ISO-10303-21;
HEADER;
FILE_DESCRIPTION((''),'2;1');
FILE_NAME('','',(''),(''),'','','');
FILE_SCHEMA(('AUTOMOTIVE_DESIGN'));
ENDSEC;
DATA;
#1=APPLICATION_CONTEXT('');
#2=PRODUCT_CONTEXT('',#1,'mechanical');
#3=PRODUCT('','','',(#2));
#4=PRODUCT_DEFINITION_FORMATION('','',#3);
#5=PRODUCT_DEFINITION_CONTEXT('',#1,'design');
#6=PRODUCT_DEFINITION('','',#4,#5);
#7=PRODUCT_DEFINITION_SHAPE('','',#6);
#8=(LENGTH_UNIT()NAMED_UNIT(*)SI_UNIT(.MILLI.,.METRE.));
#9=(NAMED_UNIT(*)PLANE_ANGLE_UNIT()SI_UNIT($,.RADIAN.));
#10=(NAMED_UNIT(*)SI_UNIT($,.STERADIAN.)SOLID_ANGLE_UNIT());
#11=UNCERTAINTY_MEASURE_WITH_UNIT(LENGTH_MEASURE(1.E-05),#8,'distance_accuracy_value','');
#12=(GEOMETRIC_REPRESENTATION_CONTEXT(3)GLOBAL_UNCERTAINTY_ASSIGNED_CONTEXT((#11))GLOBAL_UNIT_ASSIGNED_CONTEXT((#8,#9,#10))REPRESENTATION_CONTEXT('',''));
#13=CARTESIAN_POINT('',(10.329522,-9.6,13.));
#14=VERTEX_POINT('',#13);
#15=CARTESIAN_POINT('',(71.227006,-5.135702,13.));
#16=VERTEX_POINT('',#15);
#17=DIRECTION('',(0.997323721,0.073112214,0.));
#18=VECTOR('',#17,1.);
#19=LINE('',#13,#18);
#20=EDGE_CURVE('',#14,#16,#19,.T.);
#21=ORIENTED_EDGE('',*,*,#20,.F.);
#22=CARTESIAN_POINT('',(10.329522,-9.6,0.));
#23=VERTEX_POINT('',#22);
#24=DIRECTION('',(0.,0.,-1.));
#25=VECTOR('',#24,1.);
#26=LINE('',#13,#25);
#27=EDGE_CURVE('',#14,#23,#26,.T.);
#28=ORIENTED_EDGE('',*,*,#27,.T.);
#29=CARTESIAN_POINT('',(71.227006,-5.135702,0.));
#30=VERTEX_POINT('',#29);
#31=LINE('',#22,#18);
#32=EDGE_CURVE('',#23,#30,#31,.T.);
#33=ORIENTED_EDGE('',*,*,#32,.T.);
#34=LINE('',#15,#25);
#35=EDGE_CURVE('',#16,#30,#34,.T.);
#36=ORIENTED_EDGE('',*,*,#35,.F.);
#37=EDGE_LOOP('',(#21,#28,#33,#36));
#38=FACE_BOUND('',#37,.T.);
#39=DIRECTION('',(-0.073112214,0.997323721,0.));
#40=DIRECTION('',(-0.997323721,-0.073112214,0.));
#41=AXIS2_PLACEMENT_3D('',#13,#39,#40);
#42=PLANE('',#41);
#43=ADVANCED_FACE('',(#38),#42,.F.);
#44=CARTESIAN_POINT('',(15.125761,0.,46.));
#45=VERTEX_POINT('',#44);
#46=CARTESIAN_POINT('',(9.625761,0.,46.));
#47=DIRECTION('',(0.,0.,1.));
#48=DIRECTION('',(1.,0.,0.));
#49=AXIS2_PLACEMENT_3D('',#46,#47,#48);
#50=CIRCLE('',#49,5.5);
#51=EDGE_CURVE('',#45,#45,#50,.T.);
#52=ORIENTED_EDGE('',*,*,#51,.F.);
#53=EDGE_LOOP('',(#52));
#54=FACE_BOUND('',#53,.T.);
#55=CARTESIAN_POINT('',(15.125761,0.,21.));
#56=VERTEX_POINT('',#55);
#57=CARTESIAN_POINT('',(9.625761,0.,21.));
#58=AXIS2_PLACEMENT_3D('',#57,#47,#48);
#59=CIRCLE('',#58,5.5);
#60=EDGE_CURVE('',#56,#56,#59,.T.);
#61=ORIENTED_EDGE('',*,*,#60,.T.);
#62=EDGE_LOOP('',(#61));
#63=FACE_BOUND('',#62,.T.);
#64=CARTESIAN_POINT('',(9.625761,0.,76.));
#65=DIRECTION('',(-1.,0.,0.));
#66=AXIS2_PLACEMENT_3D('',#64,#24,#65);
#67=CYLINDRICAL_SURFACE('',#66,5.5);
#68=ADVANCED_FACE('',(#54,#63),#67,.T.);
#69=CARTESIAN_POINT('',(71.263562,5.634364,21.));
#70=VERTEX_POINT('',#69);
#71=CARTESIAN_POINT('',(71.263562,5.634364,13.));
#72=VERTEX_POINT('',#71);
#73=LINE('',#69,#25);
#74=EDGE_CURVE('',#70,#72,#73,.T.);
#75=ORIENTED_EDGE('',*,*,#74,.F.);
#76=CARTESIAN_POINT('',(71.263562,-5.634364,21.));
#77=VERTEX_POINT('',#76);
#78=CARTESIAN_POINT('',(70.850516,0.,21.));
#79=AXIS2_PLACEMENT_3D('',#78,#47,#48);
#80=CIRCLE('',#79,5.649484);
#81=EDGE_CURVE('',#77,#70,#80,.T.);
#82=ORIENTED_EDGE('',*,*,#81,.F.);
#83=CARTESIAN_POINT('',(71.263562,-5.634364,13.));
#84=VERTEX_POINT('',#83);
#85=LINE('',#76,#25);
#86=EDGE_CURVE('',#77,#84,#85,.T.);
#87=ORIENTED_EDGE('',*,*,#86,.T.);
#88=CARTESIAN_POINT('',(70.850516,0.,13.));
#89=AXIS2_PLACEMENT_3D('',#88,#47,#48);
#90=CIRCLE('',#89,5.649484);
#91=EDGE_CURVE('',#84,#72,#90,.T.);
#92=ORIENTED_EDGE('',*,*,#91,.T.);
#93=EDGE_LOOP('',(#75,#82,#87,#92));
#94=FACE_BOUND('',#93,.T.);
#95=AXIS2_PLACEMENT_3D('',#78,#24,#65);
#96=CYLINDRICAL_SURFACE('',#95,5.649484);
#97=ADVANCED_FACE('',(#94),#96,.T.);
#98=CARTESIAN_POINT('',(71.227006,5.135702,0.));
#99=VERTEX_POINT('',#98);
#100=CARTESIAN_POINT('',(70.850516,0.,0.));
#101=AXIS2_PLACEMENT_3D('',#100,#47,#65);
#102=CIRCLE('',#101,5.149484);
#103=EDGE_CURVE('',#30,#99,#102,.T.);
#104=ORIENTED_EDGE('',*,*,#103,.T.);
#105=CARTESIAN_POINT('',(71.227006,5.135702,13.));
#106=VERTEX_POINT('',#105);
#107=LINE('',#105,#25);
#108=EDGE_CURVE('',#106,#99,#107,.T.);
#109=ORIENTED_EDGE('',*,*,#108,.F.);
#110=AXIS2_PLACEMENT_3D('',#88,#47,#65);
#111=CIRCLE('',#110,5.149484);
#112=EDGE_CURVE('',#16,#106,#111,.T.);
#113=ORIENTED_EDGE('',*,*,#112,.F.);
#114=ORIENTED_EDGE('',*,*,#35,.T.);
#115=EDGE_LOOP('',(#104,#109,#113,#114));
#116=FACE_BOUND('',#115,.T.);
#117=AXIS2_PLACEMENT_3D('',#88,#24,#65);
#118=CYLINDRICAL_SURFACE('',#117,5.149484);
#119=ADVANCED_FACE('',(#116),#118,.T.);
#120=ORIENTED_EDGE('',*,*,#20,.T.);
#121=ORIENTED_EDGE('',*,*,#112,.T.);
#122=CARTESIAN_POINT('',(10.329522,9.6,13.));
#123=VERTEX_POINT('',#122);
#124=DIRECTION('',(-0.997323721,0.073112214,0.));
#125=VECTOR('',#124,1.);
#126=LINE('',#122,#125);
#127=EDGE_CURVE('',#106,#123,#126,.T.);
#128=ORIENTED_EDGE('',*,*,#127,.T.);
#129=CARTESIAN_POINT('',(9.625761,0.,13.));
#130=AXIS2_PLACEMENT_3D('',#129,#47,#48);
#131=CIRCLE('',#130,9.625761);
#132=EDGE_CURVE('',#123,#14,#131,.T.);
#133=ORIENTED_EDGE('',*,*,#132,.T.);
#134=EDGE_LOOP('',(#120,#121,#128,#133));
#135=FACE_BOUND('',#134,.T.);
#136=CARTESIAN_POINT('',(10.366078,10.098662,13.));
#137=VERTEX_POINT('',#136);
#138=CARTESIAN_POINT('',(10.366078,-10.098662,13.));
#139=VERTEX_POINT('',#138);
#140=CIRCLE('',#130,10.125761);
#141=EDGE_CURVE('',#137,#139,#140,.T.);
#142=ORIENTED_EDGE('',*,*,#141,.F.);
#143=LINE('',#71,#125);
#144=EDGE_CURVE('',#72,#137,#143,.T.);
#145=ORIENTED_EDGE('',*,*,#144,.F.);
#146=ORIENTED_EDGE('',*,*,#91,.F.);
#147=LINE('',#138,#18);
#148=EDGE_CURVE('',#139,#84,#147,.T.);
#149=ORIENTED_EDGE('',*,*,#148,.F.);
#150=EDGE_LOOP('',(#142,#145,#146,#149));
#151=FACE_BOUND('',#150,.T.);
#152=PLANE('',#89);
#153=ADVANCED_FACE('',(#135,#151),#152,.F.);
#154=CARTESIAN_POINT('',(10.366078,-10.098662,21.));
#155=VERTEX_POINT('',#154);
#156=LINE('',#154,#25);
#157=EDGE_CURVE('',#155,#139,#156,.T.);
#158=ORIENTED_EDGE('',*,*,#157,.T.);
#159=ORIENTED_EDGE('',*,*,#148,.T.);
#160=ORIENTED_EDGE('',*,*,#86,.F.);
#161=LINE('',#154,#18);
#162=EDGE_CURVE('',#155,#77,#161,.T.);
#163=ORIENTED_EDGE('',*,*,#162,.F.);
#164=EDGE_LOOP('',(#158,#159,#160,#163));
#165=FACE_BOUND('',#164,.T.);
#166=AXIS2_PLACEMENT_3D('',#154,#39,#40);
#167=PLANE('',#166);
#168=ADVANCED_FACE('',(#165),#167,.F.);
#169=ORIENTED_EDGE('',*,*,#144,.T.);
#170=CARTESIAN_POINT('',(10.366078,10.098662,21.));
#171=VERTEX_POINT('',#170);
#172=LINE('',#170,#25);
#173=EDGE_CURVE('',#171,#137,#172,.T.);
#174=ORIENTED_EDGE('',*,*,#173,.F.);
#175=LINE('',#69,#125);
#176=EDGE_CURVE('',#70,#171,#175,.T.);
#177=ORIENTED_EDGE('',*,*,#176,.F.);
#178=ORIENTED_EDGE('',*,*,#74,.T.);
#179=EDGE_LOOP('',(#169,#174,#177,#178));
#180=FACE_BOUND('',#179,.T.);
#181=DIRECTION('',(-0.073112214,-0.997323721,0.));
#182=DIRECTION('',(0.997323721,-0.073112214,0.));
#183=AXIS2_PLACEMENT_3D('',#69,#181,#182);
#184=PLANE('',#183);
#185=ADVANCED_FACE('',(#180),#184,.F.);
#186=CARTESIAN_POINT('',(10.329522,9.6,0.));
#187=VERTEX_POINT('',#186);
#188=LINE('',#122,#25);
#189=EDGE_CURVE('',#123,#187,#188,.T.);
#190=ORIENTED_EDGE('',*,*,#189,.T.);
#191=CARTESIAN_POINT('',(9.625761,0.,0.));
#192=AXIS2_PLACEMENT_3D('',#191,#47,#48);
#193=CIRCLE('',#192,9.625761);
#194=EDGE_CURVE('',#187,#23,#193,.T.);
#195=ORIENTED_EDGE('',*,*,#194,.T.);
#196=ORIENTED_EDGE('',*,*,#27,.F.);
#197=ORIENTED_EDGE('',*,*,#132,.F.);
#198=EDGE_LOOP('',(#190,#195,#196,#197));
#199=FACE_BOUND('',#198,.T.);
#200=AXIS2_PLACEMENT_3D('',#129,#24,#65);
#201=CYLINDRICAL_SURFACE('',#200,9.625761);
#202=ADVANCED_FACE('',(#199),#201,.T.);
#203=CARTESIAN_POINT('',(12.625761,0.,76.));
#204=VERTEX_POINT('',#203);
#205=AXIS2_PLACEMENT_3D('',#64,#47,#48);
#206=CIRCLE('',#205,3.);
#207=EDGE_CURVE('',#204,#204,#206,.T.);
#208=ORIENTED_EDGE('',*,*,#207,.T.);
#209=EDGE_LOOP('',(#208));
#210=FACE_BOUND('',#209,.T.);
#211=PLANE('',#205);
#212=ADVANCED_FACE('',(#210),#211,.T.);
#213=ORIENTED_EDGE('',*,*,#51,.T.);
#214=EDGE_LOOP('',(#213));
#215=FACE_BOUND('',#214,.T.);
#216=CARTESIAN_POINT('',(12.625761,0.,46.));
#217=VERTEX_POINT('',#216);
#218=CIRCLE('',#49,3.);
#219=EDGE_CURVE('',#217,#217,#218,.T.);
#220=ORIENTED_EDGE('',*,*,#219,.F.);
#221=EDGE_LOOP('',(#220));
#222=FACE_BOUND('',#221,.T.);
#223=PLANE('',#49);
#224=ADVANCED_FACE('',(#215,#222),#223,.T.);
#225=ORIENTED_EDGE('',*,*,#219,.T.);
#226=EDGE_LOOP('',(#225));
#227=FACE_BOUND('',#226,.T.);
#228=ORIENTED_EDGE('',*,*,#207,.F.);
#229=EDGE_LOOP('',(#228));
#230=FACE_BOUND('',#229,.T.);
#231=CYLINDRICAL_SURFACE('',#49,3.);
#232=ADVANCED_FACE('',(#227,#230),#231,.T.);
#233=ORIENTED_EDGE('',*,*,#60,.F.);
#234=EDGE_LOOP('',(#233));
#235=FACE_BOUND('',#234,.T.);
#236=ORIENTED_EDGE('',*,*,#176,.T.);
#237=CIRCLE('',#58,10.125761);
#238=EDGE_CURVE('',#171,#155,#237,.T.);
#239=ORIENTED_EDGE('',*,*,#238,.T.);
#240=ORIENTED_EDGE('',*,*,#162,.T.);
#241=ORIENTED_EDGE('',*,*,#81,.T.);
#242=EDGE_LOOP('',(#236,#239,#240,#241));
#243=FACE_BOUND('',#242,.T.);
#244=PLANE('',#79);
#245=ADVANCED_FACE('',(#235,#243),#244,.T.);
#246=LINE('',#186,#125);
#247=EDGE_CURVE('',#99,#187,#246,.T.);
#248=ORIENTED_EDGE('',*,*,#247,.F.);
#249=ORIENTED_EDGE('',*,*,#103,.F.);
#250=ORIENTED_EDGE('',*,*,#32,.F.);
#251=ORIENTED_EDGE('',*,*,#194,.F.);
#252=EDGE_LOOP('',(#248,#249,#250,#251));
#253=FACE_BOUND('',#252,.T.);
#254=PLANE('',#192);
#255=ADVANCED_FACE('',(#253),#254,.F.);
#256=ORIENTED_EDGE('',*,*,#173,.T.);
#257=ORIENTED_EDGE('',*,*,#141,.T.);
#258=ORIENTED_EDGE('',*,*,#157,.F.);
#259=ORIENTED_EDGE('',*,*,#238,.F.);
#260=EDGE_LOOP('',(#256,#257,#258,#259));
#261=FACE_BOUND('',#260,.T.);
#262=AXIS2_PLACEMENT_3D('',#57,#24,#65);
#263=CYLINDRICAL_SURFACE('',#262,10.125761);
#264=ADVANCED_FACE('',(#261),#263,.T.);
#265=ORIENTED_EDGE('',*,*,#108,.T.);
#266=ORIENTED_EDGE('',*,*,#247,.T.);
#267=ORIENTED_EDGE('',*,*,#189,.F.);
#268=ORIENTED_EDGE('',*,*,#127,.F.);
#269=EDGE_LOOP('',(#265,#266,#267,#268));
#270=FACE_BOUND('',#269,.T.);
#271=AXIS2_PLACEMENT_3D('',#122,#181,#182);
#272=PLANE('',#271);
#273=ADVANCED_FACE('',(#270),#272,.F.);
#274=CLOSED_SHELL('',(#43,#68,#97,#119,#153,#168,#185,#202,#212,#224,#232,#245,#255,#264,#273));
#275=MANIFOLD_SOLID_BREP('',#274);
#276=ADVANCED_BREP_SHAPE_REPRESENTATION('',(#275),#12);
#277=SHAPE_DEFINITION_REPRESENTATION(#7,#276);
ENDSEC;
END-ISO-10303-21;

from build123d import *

# Parameters (mm, degrees)
BOSS_EXTRU_1_DEPTH      = 13
BOSS_EXTRU_2_DEPTH      = 8
ESQUISSE4_R             = 5.5
BOSS_EXTRU_3_DEPTH      = 55
ENL_V_START             = -30
ESQUISSE5_R             = 5.5
ESQUISSE5_R_2           = 3
ENL_V_MAT_EXTRU_1_DEPTH = 30


with BuildPart() as part:
    # Esquisse1 → Boss.-Extru.1 (new body)
    with BuildSketch(Plane.XY):
        with BuildLine():
            Line((10.329521935, 9.6), (71.2270063, 5.135702408))
            ThreePointArc((71.2270063, 5.135702408), (76, 0), (71.2270063, -5.135702408))
            Line((71.2270063, -5.135702408), (10.329521935, -9.6))
            ThreePointArc((10.329521935, -9.6), (0, 0), (10.329521935, 9.6))
        make_face()
    extrude(amount=BOSS_EXTRU_1_DEPTH)

    # Esquisse3 → Boss.-Extru.2 (add)
    with BuildSketch(Plane.XY.offset(13)):
        with BuildLine():
            Line((71.263562407, 5.634364269), (10.366078041, 10.09866186))
            ThreePointArc((10.366078041, 10.09866186), (-0.5, 0), (10.366078041, -10.09866186))
            Line((10.366078041, -10.09866186), (71.263562407, -5.634364269))
            ThreePointArc((71.263562407, -5.634364269), (76.5, 0), (71.263562407, 5.634364269))
        make_face()
    extrude(amount=BOSS_EXTRU_2_DEPTH)

    # Esquisse4 → Boss.-Extru.3 (add)
    with BuildSketch(Plane.XY.offset(21)):
        with Locations((9.625761224, 0)):
            Circle(ESQUISSE4_R)
    extrude(amount=BOSS_EXTRU_3_DEPTH)

    # Esquisse5 → Enlèv. mat.-Extru.1 (cut)
    with BuildSketch(Plane.XY.offset(76).offset(ENL_V_START)):
        with Locations((9.625761224, 0)):
            Circle(ESQUISSE5_R)
        with Locations((9.625761224, 0)):
            Circle(ESQUISSE5_R_2, mode=Mode.SUBTRACT)
    extrude(amount=ENL_V_MAT_EXTRU_1_DEPTH, mode=Mode.SUBTRACT)


solid = part.part
